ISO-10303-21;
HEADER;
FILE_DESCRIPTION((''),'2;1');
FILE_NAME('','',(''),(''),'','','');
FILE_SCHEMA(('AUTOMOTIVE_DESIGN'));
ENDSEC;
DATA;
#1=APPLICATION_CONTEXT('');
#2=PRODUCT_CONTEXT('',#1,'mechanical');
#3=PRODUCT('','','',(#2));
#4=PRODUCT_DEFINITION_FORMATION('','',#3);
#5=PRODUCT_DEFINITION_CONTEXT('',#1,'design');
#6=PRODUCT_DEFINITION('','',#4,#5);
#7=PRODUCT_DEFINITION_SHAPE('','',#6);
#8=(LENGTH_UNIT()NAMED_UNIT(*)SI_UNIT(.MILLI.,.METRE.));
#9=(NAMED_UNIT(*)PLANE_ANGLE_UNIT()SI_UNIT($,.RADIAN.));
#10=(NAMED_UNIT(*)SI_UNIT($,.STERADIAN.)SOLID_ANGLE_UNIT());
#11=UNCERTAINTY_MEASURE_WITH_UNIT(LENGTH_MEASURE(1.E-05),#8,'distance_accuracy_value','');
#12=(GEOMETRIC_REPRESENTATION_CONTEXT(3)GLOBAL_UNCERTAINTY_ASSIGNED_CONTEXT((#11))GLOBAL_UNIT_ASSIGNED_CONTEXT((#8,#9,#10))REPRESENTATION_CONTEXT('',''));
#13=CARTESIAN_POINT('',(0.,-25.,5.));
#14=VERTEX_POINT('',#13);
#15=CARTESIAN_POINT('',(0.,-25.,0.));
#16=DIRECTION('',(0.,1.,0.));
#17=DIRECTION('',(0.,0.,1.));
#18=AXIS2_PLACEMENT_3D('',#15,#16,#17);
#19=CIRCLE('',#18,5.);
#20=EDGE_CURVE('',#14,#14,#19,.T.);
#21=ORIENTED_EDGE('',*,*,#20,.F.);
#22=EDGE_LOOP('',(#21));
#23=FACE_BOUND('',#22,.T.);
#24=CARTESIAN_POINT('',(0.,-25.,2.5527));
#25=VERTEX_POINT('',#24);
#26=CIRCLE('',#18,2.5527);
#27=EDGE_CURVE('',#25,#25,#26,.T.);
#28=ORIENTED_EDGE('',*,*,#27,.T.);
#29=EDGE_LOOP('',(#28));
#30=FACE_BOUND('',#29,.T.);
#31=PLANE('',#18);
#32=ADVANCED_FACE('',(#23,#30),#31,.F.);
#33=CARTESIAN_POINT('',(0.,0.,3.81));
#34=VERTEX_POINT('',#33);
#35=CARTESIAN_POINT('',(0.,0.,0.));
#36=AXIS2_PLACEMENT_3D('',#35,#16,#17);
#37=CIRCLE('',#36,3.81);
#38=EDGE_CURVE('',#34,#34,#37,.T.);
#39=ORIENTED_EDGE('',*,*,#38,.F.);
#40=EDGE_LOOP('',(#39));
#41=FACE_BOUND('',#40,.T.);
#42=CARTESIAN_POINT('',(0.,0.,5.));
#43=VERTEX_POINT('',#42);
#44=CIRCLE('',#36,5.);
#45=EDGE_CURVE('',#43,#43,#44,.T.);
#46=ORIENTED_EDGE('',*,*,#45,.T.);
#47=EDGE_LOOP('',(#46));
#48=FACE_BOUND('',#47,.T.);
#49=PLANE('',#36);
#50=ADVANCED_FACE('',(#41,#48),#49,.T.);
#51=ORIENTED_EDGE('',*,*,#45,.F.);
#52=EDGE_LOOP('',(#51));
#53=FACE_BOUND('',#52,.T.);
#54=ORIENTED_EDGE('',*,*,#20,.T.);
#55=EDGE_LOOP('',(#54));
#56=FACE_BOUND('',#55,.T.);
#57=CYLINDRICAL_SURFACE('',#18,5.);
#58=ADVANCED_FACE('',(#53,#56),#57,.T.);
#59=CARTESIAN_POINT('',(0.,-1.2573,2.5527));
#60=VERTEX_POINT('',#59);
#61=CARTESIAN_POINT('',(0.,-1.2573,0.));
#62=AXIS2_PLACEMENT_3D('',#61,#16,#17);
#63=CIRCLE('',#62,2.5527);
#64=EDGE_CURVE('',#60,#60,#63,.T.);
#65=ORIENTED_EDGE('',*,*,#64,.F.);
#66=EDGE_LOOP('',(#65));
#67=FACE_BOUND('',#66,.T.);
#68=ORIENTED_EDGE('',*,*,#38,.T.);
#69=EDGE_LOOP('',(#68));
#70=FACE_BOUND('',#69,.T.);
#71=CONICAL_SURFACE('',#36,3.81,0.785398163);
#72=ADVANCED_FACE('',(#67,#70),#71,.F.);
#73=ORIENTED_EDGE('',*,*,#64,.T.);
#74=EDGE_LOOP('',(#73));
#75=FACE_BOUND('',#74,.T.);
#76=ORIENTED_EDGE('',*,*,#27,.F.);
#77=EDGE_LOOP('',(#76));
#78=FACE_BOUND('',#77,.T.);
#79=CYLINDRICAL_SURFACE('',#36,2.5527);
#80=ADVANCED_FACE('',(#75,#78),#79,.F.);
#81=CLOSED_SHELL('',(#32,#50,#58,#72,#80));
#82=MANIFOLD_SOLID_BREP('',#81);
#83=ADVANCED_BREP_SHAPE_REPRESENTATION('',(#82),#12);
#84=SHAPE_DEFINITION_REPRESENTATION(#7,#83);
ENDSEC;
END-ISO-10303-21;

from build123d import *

# Parameters (mm, degrees)
SKETCH1_R                         = 5
BOSS_EXTRUDE1_DEPTH               = 25
F_1_4_20_TAPPED_HOLE1_D           = 5.1054
F_1_4_20_TAPPED_HOLE1_CSINK_D     = 7.62
F_1_4_20_TAPPED_HOLE1_CSINK_ANGLE = 90


with BuildPart() as part:
    # Sketch1 → Boss-Extrude1 (new body)
    with BuildSketch(Plane(origin=(0, 0, 0), x_dir=(1, 0, 0), z_dir=(0, 1, 0))):
        Circle(SKETCH1_R)
    extrude(amount=-BOSS_EXTRUDE1_DEPTH)

    # 1/4-20 Tapped Hole1 (through all)
    with Locations(Plane(origin=(0, 0, 0), x_dir=(1, 0, 0), z_dir=(0, 1, 0))):
        with Locations((0, 0)):
            CounterSinkHole(F_1_4_20_TAPPED_HOLE1_D / 2, F_1_4_20_TAPPED_HOLE1_CSINK_D / 2, counter_sink_angle=F_1_4_20_TAPPED_HOLE1_CSINK_ANGLE)


solid = part.part
